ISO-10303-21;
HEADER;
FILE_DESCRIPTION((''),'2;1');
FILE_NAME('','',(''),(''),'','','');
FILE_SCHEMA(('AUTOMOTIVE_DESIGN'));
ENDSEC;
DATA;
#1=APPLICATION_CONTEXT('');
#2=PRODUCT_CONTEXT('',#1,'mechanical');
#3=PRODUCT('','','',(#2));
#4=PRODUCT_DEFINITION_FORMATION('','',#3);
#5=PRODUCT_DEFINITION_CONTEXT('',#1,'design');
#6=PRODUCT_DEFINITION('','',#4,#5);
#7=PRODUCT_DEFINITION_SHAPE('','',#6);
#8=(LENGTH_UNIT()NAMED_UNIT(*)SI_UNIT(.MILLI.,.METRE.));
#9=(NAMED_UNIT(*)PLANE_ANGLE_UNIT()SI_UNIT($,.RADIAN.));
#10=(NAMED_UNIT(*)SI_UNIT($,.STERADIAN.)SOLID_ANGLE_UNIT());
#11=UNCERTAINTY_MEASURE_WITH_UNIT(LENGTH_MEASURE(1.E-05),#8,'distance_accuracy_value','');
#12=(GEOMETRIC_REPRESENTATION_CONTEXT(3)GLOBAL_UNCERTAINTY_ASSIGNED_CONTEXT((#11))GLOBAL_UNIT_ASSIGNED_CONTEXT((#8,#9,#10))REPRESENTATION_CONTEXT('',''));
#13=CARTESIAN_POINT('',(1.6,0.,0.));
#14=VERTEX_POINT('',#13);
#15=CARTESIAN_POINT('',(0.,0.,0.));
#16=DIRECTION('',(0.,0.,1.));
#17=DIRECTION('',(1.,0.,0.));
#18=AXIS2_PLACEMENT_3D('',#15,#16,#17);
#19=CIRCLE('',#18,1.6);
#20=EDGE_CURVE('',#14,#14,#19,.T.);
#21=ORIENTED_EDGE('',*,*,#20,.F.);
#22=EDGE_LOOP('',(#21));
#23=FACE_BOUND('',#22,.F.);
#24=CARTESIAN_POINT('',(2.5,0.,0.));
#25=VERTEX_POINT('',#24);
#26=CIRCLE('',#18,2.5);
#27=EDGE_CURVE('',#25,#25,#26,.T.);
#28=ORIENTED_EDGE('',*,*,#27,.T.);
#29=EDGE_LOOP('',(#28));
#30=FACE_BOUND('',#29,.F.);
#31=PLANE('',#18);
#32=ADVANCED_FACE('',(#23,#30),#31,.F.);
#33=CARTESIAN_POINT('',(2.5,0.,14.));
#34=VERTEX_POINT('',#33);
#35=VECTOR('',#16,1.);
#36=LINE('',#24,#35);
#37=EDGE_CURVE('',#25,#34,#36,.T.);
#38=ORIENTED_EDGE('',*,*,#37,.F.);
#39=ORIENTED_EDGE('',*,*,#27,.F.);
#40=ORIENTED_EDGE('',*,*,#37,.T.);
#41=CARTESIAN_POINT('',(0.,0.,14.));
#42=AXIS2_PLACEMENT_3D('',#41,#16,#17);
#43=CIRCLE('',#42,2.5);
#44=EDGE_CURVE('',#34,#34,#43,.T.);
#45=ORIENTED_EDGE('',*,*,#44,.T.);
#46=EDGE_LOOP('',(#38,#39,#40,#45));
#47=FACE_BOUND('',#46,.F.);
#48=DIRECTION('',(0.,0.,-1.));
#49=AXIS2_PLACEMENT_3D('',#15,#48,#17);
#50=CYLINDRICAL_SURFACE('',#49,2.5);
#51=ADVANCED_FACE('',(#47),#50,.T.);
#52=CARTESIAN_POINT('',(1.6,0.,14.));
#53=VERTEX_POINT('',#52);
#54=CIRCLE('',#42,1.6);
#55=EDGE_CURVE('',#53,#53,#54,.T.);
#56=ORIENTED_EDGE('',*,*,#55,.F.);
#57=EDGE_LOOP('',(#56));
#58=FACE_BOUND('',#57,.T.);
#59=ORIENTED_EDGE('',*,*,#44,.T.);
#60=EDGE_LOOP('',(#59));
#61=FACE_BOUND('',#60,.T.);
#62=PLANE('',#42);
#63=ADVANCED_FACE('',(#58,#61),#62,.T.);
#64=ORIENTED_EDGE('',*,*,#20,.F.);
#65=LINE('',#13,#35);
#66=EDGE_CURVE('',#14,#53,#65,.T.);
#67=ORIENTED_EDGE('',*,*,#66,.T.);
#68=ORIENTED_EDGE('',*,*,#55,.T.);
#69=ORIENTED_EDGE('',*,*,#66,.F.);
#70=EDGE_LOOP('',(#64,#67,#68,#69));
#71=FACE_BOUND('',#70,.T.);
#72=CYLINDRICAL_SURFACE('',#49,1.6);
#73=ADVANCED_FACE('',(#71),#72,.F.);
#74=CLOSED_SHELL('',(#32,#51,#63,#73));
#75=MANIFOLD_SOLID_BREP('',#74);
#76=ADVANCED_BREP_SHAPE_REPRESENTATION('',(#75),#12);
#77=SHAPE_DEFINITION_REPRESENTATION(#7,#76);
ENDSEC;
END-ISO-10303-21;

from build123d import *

# Parameters (mm, degrees)
SKETCH_1_R      = 2.5
SKETCH_1_R_2    = 1.6
EXTRUDE_1_DEPTH = 14


with BuildPart() as part:
    # 草图1 → 凸台-拉伸1 (new body)
    with BuildSketch(Plane.XY):
        Circle(SKETCH_1_R)
        Circle(SKETCH_1_R_2, mode=Mode.SUBTRACT)
    extrude(amount=EXTRUDE_1_DEPTH)


solid = part.part
